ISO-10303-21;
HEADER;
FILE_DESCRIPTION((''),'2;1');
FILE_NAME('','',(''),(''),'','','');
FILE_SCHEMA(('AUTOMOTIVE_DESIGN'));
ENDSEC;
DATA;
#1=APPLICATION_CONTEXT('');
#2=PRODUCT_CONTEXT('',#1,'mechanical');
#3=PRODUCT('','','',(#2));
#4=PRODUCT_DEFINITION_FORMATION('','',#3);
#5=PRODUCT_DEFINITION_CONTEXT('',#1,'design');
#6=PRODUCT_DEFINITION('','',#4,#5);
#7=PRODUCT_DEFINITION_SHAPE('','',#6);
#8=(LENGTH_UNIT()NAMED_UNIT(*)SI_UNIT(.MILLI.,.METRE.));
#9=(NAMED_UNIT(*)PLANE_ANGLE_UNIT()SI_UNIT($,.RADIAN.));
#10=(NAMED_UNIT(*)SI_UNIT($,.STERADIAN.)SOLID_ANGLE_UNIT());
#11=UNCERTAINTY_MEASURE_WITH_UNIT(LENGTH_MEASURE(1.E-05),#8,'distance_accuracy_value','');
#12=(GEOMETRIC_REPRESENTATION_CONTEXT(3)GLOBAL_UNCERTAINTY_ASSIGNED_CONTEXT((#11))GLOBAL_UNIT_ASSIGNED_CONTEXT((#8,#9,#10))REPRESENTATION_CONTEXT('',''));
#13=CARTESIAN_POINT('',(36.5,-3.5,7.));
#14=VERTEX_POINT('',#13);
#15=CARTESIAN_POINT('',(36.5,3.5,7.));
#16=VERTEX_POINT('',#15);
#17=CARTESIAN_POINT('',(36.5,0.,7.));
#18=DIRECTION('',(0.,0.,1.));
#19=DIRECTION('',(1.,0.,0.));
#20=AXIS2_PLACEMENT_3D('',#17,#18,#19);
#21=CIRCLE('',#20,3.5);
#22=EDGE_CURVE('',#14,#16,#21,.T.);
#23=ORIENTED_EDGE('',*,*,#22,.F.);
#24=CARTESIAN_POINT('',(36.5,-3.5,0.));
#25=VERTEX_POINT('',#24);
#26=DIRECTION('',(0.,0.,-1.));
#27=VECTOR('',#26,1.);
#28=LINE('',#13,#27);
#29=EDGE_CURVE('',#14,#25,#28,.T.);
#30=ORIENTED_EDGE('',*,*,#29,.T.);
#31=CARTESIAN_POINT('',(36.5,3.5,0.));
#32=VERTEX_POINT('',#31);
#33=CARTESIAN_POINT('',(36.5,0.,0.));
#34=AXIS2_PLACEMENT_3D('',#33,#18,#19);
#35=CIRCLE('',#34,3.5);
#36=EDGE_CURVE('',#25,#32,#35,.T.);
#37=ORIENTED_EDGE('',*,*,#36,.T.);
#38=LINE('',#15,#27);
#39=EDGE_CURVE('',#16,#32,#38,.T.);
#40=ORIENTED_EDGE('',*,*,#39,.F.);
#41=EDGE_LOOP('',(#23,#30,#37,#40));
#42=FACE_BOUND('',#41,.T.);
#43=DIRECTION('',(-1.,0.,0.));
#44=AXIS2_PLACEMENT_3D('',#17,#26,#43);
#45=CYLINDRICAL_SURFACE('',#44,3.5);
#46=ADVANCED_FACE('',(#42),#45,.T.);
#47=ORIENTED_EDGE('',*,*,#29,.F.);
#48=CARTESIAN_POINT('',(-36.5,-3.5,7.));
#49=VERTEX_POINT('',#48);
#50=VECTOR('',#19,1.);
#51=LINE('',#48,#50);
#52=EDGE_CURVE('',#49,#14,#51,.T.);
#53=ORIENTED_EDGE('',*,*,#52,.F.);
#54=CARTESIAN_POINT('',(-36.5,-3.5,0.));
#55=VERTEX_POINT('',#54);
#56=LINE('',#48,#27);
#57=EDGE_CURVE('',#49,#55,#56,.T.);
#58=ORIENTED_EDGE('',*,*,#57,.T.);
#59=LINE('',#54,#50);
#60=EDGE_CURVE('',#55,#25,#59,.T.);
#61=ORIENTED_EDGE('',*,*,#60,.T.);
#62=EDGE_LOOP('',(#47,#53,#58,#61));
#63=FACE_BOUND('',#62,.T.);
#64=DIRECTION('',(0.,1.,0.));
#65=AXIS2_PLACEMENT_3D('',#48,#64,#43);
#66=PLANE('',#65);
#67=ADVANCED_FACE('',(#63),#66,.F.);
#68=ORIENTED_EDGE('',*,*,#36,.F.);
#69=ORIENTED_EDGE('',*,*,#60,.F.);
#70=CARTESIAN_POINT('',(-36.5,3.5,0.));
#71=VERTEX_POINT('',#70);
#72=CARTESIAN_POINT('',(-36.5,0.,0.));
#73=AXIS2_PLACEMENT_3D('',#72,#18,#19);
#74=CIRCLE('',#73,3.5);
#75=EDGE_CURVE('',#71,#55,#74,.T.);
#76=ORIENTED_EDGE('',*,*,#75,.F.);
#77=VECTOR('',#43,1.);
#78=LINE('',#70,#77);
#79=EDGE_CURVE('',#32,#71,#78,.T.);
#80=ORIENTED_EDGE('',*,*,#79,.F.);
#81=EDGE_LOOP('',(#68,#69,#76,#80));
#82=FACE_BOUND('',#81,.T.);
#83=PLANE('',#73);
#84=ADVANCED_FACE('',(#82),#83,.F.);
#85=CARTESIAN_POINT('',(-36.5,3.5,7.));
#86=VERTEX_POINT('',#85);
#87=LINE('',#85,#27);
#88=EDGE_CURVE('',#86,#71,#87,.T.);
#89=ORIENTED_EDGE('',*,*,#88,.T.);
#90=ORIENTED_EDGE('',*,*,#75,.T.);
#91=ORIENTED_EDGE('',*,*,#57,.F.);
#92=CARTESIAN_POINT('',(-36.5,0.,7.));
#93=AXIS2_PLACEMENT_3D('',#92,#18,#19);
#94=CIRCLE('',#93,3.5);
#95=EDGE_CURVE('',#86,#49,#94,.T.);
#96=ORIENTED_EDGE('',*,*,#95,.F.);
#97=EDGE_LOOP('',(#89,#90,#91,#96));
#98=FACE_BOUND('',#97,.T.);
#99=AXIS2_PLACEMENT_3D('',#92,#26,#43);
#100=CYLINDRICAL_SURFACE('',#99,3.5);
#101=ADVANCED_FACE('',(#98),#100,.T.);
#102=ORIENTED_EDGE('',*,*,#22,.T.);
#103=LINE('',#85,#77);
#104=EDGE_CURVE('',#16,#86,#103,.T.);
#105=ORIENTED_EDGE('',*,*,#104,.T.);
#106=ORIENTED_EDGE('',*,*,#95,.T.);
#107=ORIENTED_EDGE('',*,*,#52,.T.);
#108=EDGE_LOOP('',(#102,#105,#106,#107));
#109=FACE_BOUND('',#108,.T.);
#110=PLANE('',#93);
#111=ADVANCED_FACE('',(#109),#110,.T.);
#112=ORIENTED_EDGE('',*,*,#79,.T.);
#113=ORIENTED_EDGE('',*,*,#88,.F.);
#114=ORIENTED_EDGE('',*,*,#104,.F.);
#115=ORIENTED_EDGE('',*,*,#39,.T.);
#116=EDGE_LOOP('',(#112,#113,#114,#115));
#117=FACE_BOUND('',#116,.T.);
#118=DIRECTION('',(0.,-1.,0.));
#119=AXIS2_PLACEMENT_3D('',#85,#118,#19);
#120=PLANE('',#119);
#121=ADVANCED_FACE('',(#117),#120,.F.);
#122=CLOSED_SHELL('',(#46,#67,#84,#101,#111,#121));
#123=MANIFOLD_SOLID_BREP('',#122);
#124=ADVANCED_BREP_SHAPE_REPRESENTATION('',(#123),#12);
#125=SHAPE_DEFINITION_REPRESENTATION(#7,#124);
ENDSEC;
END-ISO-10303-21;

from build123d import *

# Parameters (mm, degrees)
Y_KSEKLIK_EKSTR_ZYON1_DEPTH = 7


with BuildPart() as part:
    # Çizim1 → Yükseklik-Ekstrüzyon1 (new body)
    with BuildSketch(Plane.XY):
        with BuildLine():
            Line((-36.5, 3.5), (36.5, 3.5))
            ThreePointArc((36.5, 3.5), (40, 0), (36.5, -3.5))
            Line((36.5, -3.5), (-36.5, -3.5))
            ThreePointArc((-36.5, -3.5), (-40, 0), (-36.5, 3.5))
        make_face()
    extrude(amount=Y_KSEKLIK_EKSTR_ZYON1_DEPTH)


solid = part.part
